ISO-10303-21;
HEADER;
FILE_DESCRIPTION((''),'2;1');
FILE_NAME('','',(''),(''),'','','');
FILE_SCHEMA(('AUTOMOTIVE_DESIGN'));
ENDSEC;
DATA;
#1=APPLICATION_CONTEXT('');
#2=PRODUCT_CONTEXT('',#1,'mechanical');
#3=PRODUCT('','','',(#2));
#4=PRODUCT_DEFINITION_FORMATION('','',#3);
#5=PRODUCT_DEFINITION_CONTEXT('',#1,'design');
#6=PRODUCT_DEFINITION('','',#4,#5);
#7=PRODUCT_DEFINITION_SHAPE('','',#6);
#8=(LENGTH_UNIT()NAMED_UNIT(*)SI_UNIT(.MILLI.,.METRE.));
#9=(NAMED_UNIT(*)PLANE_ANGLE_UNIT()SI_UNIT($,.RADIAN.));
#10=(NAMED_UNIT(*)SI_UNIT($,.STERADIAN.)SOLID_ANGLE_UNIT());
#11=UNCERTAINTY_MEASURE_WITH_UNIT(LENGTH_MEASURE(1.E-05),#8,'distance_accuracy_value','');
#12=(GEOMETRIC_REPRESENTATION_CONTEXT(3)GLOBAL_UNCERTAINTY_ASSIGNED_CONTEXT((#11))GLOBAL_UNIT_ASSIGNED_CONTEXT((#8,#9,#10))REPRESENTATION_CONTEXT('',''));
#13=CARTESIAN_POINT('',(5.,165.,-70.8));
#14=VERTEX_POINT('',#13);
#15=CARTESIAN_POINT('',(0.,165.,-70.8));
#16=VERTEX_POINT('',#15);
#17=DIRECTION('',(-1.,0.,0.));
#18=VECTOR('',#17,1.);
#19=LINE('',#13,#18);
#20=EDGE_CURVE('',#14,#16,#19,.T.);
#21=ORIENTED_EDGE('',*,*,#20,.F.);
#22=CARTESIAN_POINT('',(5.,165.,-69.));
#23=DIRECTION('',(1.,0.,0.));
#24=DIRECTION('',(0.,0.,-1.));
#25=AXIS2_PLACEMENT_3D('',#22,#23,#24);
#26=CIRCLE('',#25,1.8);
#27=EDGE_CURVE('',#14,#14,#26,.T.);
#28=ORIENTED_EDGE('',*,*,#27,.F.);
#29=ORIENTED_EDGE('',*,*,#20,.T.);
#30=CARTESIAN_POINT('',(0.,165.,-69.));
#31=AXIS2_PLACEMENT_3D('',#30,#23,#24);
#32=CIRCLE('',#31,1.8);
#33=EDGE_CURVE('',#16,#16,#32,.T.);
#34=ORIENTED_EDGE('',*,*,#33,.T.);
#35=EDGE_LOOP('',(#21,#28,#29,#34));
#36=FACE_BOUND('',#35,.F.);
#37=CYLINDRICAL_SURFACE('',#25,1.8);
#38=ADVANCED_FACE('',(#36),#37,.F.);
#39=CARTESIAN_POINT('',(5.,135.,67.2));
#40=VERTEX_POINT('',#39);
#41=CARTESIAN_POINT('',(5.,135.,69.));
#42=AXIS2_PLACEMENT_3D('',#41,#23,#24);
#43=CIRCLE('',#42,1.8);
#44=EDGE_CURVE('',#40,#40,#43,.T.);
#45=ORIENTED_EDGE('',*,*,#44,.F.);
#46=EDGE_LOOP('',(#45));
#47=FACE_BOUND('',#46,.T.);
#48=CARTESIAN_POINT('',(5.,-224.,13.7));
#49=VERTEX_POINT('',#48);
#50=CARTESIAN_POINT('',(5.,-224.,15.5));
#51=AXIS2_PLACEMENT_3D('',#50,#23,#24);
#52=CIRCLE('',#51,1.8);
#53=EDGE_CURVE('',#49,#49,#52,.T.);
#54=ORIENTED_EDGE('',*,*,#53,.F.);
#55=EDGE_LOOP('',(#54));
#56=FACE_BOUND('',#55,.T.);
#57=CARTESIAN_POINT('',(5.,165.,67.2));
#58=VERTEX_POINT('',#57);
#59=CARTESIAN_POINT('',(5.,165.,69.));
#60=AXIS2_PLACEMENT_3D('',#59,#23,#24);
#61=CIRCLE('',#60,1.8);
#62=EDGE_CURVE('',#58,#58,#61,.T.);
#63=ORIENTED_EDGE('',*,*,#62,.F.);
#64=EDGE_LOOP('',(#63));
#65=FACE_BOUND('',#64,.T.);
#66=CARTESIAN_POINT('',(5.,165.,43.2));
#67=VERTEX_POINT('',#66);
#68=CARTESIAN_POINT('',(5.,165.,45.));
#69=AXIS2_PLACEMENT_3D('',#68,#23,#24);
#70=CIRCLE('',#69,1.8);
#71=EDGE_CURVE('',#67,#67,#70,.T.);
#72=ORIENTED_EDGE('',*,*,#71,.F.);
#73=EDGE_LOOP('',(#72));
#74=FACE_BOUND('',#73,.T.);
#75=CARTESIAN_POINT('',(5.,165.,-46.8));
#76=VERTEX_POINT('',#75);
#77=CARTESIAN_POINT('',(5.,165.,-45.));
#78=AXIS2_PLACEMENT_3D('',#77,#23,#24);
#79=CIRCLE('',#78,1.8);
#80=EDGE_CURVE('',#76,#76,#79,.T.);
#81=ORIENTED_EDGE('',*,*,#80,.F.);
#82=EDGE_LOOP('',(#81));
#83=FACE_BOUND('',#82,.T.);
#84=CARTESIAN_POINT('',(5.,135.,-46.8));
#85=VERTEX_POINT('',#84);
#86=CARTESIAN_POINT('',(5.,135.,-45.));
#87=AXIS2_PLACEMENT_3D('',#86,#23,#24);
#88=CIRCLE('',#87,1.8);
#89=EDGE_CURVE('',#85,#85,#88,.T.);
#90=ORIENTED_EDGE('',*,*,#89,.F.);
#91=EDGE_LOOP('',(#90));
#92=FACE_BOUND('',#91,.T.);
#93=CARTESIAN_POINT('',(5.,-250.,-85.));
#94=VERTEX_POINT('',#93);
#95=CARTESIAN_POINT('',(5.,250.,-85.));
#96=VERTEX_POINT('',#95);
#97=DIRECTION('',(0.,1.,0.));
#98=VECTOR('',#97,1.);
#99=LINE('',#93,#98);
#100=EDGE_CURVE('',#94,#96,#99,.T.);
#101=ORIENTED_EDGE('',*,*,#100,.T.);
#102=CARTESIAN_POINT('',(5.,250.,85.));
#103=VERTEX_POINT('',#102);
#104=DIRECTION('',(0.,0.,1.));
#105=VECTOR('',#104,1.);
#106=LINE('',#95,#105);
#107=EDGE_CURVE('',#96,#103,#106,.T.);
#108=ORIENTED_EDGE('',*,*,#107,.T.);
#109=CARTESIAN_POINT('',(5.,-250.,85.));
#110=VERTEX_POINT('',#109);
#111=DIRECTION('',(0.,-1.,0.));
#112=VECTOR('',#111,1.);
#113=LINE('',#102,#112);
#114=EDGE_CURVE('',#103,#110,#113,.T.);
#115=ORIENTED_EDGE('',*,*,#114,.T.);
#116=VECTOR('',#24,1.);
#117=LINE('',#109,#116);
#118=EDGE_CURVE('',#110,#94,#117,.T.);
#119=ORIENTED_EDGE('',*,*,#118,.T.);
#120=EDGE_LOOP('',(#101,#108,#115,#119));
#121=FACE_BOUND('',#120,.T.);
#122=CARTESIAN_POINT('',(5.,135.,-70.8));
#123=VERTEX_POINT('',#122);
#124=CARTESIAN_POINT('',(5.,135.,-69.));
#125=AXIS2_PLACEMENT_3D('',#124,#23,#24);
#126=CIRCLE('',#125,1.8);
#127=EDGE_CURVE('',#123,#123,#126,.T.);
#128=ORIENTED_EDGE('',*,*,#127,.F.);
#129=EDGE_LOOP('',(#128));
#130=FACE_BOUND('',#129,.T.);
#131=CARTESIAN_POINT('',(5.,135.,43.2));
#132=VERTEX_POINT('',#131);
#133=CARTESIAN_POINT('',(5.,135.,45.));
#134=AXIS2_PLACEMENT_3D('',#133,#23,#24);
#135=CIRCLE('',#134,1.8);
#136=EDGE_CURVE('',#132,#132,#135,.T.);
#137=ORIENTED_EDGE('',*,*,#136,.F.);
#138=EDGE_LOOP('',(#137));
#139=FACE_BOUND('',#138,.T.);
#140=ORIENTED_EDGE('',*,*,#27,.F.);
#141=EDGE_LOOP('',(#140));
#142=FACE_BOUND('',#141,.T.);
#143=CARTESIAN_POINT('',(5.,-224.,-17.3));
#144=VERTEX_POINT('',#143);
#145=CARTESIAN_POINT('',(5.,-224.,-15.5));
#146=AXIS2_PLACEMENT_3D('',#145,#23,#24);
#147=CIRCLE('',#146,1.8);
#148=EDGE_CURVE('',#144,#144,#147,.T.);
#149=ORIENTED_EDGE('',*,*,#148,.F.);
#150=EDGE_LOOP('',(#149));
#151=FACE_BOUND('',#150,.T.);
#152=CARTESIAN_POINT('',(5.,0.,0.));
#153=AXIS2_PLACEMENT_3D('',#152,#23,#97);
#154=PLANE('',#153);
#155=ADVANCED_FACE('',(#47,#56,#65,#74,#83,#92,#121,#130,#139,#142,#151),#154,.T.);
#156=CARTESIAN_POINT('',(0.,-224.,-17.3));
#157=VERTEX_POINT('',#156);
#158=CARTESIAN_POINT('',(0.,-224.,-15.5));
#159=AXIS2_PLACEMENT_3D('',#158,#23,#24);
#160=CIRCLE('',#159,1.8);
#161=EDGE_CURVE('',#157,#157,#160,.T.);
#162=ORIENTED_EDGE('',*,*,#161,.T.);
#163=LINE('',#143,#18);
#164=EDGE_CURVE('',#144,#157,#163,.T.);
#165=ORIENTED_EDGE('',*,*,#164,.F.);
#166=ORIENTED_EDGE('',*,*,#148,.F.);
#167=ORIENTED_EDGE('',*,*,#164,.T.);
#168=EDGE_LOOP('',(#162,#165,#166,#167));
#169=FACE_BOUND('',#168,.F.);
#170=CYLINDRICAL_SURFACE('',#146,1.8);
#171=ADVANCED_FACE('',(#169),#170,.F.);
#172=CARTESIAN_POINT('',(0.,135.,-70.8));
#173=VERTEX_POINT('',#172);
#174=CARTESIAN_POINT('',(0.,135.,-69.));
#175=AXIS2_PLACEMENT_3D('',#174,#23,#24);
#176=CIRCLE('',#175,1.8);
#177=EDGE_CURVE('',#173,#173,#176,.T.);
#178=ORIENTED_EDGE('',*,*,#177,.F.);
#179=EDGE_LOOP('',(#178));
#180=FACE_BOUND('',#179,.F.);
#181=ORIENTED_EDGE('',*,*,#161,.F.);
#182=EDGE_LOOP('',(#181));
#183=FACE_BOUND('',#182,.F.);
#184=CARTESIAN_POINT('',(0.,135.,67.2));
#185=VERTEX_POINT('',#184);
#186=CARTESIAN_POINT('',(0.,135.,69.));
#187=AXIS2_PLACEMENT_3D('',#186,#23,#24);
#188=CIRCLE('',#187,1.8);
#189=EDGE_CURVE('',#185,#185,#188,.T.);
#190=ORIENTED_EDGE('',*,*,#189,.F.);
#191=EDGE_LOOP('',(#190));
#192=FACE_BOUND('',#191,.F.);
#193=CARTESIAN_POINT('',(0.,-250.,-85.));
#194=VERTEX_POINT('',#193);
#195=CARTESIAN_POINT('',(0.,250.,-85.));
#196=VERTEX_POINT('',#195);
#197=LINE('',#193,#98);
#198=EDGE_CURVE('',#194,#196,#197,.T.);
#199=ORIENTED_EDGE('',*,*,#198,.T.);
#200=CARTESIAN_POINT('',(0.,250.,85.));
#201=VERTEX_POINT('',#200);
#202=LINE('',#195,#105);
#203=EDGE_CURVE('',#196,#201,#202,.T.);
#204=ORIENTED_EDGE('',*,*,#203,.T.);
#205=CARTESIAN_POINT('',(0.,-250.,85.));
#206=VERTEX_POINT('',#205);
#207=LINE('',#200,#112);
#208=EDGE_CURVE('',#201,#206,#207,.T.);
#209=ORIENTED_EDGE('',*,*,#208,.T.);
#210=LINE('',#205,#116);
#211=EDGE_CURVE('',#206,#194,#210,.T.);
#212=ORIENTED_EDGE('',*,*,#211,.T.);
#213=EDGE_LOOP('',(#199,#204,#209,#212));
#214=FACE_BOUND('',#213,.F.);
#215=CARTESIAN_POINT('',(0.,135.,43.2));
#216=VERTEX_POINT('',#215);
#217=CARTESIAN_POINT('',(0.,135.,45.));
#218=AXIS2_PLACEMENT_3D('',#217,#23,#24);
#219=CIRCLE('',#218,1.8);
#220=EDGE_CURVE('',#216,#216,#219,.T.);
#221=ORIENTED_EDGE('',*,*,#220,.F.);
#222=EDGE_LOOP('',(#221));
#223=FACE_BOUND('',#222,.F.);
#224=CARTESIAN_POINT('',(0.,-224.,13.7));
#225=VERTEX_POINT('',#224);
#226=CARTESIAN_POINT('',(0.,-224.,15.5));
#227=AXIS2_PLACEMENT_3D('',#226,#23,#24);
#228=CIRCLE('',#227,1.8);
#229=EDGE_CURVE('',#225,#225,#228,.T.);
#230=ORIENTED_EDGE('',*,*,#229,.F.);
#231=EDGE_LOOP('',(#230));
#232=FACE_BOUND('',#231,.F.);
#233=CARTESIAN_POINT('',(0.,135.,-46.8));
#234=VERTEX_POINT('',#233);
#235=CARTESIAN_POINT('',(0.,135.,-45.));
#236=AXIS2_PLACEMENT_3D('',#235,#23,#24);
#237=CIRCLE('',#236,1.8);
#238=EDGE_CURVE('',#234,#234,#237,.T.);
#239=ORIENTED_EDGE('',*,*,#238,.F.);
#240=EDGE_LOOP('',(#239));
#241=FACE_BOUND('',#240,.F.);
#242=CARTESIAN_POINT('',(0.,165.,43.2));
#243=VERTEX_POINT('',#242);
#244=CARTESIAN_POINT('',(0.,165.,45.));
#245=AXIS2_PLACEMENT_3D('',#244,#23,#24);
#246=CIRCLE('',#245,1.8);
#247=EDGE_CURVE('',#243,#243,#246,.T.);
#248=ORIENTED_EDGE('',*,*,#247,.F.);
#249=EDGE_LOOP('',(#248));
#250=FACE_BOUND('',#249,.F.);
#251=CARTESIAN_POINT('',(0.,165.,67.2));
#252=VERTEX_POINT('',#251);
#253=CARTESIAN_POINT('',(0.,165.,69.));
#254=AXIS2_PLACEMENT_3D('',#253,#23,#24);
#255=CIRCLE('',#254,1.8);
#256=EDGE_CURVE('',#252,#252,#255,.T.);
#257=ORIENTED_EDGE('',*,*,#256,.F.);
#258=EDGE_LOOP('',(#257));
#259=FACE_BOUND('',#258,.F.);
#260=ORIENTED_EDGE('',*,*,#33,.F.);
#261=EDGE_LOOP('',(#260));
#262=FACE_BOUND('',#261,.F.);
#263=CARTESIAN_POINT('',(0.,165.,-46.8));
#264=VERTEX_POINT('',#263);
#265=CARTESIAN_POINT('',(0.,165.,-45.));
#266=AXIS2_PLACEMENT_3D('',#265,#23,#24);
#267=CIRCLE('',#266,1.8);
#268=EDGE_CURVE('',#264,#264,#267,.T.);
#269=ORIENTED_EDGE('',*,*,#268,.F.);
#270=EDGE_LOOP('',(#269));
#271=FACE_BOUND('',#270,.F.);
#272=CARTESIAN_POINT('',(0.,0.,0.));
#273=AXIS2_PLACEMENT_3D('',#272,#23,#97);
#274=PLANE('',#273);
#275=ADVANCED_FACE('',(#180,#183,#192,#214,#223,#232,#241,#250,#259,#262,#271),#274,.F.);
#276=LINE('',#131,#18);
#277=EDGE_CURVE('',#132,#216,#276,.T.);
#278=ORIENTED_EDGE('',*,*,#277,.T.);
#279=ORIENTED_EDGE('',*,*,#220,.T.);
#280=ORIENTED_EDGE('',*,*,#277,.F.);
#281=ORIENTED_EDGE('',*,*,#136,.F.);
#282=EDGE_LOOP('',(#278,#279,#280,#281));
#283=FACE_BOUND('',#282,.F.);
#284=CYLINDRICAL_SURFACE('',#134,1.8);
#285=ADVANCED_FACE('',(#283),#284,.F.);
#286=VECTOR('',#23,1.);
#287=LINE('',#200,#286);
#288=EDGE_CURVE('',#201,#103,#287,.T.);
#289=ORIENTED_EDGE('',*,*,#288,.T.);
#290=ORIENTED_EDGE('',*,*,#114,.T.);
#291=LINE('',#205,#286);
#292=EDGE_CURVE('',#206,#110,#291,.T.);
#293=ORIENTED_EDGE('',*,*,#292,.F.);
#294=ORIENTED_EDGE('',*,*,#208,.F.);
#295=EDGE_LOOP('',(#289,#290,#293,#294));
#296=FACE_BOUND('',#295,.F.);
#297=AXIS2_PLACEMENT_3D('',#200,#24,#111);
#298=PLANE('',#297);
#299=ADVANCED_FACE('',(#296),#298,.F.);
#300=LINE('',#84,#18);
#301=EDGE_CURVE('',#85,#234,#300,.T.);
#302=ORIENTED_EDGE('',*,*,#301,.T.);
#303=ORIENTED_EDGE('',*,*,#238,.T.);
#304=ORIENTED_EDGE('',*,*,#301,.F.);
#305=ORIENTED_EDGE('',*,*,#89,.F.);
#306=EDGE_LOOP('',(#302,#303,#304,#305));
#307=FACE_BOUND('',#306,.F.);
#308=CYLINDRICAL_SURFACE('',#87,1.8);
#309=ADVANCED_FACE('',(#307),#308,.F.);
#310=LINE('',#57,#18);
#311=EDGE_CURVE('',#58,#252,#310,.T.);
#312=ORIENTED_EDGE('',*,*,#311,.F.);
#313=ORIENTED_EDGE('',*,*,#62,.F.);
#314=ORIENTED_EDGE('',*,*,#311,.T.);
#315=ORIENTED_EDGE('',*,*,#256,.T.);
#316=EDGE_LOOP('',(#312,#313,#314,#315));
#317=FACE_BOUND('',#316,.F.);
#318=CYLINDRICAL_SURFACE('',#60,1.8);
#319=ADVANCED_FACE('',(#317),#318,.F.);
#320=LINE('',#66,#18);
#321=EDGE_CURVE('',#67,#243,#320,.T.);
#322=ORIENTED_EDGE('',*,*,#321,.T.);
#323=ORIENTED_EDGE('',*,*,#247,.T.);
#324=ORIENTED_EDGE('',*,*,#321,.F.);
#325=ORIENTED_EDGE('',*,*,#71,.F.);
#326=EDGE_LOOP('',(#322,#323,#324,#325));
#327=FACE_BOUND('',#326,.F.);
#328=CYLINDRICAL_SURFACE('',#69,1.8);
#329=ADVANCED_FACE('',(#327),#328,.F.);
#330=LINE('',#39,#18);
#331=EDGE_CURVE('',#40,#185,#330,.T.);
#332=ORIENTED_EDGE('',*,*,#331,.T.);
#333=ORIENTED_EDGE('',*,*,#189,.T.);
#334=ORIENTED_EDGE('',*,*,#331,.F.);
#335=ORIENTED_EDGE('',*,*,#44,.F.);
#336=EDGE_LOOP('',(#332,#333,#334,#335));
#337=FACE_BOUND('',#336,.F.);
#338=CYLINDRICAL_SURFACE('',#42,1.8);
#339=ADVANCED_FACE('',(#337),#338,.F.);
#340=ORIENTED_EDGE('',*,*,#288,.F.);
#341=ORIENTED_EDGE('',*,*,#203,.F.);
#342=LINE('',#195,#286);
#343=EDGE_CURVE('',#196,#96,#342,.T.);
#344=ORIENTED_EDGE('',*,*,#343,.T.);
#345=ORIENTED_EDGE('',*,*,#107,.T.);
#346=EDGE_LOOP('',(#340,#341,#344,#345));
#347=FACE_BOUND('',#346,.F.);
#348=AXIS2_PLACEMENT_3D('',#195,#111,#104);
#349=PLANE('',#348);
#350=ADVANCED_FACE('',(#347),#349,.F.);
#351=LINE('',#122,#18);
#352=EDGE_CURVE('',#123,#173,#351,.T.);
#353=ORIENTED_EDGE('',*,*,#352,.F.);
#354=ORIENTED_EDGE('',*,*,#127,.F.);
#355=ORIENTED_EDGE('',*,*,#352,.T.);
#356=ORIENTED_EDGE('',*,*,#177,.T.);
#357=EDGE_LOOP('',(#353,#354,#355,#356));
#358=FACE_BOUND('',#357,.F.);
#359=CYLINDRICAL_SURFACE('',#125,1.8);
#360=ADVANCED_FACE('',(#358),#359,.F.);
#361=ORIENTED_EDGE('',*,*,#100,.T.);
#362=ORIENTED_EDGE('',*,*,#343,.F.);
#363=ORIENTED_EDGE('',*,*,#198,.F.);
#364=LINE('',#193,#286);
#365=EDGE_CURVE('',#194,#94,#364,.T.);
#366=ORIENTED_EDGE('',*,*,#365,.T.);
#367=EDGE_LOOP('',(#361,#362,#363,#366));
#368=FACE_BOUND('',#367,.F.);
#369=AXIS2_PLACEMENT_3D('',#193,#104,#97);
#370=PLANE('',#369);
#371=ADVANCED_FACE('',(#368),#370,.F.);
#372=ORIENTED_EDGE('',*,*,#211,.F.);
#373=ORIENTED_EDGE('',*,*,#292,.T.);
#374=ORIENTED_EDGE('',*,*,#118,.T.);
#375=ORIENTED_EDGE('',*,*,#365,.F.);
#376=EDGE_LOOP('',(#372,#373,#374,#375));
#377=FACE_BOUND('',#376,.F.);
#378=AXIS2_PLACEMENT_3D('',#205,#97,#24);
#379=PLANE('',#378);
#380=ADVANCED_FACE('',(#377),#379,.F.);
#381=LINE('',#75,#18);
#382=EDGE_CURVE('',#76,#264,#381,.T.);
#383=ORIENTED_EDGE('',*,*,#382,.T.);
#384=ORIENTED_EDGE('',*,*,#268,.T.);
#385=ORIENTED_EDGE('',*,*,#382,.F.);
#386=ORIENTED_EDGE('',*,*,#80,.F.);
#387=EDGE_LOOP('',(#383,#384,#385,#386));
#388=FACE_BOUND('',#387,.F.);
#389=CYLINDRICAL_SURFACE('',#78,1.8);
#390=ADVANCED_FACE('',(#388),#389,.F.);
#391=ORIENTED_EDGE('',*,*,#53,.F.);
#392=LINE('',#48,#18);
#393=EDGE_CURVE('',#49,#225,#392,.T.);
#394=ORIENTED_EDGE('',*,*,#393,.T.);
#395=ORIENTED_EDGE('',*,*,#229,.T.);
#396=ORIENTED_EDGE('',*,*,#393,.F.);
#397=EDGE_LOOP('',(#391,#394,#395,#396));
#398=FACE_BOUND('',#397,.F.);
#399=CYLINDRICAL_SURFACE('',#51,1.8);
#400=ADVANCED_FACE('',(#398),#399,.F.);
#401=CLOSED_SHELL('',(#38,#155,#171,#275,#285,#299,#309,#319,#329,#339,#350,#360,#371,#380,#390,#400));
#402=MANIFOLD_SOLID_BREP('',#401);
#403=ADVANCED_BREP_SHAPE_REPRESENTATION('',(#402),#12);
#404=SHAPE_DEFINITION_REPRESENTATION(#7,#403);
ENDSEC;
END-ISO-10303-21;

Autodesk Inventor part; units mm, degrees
ref_plane "YZ Plane" through (0, 0, 0) normal (1, 0, 0) x (0, 1, 0)
ref_plane "XZ Plane" through (0, 0, 0) normal (0, 1, 0) x (-1, 0, 0)
ref_plane "XY Plane" through (0, 0, 0) normal (0, 0, 1) x (1, 0, 0)
sketch "草图8" plane through (0, 0, 0) normal (1, 0, 0) x (0, 1, 0)
  line L0 (250, 85) -> (-250, 85)
  line L1 (-250, 85) -> (-250, -85)
  line L2 (-250, -85) -> (250, -85)
  line L3 (250, -85) -> (250, 85)
  point P0 (0, 0)
  dimension "d22" = 500
  dimension "d23" = 170
extrude "拉伸8" add sketch "草图8" along normal blind 5
sketch "草图9" plane through (5, 0, 0) normal (1, 0, 0) x (0, 0, -1)
  circle A0 centre (15.5, -224) radius 1.8
  point P0 (0, 0)
  dimension "d26" = 3.6
extrude "拉伸9" cut sketch "草图9" against normal through all
sketch "草图10" plane through (5, 0, 0) normal (1, 0, 0) x (0, 0, -1)
  circle A0 centre (-15.5, -224) radius 1.8
  point P0 (0, 0)
  dimension "d29" = 3.6
extrude "拉伸10" cut sketch "草图10" against normal through all
sketch "草图11" plane through (5, 0, 0) normal (1, 0, 0) x (0, 0, -1)
  circle A0 centre (-69, 165) radius 1.8
  point P0 (0, 0)
  dimension "d32" = 3.6
extrude "拉伸11" cut sketch "草图11" against normal through all
sketch "草图12" plane through (5, 0, 0) normal (1, 0, 0) x (0, 0, -1)
  circle A0 centre (69, 165) radius 1.8
  point P0 (0, 0)
  dimension "d35" = 3.6
extrude "拉伸12" cut sketch "草图12" against normal through all
sketch "草图13" plane through (5, 0, 0) normal (1, 0, 0) x (0, 0, -1)
  circle A0 centre (-45, 165) radius 1.8
  point P0 (0, 0)
  dimension "d38" = 3.6
extrude "拉伸13" cut sketch "草图13" against normal through all
sketch "草图14" plane through (5, 0, 0) normal (1, 0, 0) x (0, 0, -1)
  circle A0 centre (45, 165) radius 1.8
  point P0 (0, 0)
  dimension "d41" = 3.6
extrude "拉伸14" cut sketch "草图14" against normal through all
sketch "草图15" plane through (5, 0, 0) normal (1, 0, 0) x (0, 0, -1)
  circle A0 centre (-69, 135) radius 1.8
  point P0 (0, 0)
  dimension "d44" = 3.6
extrude "拉伸15" cut sketch "草图15" against normal through all
sketch "草图16" plane through (5, 0, 0) normal (1, 0, 0) x (0, 0, -1)
  circle A0 centre (-45, 135) radius 1.8
  point P0 (0, 0)
  dimension "d47" = 3.6
extrude "拉伸16" cut sketch "草图16" against normal through all
sketch "草图17" plane through (5, 0, 0) normal (1, 0, 0) x (0, 0, -1)
  circle A0 centre (45, 135) radius 1.8
  point P0 (0, 0)
  dimension "d50" = 3.6
extrude "拉伸17" cut sketch "草图17" against normal through all
sketch "草图18" plane through (5, 0, 0) normal (1, 0, 0) x (0, 0, -1)
  circle A0 centre (69, 135) radius 1.8
  point P0 (0, 0)
  dimension "d53" = 3.6
extrude "拉伸18" cut sketch "草图18" against normal through all
sketch "草图19" plane through (5, 0, 0) normal (1, 0, 0) x (0, 0, -1)
  point P0 (0, 0)
equation "\"折弯半径\" = 厚度"
equation "\"折弯释压宽度\" = 厚度"
equation "\"折弯释压深度\" = 0.5 * 厚度"
equation "\"拐角释压尺寸\" = 4 * 厚度"
equation "\"最小余量\" = 2 * 厚度"
equation "\"过渡半径\" = 折弯半径"
equation "\"Jacobi半径尺寸\" = 折弯半径"
equation "\"间隙大小\" = 厚度"
equation "\"厚度\" = 0.5"
properties part number "内层17cm板"
